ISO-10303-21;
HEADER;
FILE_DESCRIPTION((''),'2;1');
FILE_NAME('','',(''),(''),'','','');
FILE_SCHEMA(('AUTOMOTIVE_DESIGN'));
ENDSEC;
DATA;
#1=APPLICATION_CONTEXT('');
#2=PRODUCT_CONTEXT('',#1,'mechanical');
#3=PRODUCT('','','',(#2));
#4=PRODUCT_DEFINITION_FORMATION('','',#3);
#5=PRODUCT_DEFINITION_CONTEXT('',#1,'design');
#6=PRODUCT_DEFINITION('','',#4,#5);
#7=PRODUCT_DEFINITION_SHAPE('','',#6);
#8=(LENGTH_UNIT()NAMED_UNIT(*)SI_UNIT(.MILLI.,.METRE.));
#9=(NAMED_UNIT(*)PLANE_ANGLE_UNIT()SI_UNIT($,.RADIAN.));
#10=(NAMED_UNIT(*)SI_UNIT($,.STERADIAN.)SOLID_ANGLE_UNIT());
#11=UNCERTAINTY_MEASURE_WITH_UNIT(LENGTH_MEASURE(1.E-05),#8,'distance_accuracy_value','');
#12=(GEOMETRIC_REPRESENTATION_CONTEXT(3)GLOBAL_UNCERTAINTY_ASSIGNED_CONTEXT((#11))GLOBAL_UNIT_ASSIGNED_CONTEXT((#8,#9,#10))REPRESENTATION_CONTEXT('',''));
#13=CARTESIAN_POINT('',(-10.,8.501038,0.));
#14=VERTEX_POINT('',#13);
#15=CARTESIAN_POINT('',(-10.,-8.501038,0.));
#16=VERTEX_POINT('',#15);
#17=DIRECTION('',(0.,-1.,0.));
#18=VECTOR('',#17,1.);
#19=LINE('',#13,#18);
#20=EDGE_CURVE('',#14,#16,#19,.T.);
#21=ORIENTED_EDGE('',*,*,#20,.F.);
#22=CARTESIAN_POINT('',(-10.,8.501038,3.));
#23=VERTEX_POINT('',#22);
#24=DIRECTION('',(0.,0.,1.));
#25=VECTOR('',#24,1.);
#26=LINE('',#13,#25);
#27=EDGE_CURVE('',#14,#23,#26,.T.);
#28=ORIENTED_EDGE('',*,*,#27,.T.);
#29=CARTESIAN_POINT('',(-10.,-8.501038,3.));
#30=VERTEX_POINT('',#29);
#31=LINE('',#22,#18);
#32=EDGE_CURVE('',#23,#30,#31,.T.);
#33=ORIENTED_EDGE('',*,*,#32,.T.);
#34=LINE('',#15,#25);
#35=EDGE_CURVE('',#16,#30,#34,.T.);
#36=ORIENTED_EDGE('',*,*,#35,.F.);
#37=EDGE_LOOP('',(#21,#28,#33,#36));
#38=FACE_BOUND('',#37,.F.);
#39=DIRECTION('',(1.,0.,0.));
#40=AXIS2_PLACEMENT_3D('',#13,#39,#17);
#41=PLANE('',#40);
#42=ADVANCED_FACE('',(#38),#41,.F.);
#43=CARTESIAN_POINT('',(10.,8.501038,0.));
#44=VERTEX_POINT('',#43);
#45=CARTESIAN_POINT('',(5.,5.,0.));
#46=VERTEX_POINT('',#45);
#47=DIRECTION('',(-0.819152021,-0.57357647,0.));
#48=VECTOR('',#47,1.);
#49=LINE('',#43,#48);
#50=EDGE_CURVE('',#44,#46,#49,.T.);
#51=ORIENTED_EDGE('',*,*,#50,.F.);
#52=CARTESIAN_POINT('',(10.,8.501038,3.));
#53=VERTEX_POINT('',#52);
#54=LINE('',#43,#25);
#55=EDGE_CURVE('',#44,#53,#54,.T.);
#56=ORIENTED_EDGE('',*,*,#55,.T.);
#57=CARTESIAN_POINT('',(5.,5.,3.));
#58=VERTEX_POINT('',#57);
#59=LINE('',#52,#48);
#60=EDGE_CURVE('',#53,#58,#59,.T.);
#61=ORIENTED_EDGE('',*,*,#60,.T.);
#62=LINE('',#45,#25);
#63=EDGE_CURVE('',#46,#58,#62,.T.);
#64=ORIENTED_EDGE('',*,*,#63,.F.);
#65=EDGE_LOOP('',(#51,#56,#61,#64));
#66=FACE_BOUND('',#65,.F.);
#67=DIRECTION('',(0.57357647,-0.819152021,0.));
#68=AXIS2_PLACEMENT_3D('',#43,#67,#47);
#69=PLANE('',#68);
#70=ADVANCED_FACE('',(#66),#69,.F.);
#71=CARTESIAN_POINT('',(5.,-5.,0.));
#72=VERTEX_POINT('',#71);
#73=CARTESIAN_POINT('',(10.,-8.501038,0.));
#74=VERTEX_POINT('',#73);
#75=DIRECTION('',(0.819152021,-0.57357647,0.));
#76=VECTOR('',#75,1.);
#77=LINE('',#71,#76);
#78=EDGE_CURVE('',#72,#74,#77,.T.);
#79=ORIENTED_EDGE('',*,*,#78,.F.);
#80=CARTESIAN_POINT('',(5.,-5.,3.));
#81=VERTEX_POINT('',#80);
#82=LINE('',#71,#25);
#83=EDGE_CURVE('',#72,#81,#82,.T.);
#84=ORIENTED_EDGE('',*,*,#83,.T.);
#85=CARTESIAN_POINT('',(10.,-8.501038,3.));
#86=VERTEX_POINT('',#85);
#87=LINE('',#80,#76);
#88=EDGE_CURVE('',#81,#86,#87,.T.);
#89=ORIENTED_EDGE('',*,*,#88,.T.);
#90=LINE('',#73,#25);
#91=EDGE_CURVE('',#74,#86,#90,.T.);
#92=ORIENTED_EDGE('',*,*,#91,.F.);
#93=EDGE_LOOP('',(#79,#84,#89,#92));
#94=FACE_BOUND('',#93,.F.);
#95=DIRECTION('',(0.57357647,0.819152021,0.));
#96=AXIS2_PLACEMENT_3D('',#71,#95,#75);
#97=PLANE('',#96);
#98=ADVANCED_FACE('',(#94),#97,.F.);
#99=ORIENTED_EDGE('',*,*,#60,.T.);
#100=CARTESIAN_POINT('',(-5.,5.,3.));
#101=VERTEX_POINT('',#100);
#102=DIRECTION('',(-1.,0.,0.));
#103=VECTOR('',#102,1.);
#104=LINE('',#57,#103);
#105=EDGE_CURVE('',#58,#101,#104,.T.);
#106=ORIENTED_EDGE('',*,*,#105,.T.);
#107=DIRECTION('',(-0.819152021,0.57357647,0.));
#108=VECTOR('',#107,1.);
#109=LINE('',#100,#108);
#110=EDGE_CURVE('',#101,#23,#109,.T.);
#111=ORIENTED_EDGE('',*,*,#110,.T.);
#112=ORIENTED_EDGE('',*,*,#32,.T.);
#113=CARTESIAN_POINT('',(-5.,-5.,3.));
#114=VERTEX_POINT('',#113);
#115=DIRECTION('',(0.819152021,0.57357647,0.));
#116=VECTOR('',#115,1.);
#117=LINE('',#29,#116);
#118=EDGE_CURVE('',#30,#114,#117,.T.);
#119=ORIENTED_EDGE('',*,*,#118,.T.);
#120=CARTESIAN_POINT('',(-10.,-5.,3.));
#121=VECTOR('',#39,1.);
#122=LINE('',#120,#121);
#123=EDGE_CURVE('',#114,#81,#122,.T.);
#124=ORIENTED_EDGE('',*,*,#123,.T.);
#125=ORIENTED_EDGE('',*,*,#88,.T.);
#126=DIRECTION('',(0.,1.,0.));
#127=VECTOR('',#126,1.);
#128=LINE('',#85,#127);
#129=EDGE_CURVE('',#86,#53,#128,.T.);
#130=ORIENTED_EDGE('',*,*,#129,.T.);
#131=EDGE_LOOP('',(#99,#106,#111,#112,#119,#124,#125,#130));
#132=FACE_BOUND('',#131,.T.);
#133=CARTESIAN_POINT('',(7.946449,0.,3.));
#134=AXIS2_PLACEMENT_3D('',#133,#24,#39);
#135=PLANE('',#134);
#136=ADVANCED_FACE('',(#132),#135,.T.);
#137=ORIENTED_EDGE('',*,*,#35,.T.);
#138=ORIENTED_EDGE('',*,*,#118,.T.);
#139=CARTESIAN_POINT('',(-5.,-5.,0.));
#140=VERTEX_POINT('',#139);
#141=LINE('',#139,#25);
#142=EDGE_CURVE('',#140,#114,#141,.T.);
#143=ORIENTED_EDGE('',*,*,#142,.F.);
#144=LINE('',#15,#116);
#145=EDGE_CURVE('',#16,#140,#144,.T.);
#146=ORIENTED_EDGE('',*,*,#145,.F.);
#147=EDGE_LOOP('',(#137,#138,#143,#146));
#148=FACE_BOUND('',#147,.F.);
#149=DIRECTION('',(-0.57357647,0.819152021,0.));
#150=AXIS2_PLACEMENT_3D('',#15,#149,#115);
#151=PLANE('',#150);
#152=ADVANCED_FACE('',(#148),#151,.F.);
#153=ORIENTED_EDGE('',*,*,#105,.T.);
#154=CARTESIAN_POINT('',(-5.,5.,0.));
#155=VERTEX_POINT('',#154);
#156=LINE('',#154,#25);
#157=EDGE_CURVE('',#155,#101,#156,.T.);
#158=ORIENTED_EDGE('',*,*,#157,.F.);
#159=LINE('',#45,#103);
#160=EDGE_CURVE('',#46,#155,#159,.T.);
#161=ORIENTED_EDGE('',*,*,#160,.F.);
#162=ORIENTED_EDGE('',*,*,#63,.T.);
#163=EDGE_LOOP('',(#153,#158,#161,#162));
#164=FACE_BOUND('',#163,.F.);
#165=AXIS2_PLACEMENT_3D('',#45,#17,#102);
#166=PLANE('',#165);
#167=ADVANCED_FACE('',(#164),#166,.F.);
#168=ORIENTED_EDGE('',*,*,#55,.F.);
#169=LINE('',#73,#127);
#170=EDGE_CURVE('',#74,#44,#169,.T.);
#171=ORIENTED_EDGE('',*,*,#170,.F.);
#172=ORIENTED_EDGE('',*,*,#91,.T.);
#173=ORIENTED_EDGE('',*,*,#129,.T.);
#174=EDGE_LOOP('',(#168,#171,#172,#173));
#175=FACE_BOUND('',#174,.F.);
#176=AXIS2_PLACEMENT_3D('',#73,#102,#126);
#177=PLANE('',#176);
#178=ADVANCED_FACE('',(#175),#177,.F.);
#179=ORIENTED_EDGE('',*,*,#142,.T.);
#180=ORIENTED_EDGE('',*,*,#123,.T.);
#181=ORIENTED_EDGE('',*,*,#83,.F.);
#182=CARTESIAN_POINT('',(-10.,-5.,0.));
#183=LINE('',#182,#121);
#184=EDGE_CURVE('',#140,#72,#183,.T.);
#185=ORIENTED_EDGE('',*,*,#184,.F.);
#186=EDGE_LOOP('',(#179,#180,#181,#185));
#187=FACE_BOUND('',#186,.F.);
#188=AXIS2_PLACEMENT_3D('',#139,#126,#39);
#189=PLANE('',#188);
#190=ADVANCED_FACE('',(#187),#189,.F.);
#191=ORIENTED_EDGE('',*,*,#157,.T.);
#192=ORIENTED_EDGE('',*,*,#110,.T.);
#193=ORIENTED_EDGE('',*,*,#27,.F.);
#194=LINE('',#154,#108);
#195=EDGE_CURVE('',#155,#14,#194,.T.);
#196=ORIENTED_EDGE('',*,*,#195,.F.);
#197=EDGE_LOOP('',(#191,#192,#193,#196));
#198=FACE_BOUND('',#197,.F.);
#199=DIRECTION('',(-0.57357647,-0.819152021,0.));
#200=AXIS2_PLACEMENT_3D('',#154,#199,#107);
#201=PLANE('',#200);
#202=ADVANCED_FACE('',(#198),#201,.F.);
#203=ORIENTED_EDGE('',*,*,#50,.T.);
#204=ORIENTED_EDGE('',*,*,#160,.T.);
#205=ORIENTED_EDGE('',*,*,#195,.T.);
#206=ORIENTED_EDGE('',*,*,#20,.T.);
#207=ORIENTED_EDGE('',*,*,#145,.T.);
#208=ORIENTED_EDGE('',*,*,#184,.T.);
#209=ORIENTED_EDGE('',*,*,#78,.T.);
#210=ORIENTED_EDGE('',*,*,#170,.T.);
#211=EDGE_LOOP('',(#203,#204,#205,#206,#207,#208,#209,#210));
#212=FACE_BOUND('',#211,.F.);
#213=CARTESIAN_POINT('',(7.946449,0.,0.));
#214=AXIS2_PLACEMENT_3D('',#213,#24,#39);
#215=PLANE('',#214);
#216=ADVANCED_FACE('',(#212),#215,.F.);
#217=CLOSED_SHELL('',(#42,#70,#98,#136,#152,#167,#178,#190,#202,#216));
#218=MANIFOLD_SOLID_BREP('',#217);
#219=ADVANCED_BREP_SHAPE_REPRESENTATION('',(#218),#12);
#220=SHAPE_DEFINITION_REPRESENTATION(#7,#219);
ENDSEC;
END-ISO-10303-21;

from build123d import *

# Parameters (mm, degrees)
F0_W     = 10
F0_H     = 10
F0_W_2   = 5
F1_DEPTH = 3


with BuildPart() as f1:
    # F0 (on Top) → F1 (new body)
    with BuildSketch(Plane.XY):
        Polygon((10, 8.501038), (5, 5), (5, -5), (10, -8.501038), (10, -5), (10, 5), align=None)
        Rectangle(F0_W, F0_H)
        with Locations((-7.5, 0)):
            Rectangle(F0_W_2, F0_H)
        Polygon((-10, -8.501038), (-5, -5), (-10, -5), align=None)
        Polygon((-10, 5), (-5, 5), (-10, 8.501038), align=None)
    extrude(amount=F1_DEPTH)


solid = f1.part
